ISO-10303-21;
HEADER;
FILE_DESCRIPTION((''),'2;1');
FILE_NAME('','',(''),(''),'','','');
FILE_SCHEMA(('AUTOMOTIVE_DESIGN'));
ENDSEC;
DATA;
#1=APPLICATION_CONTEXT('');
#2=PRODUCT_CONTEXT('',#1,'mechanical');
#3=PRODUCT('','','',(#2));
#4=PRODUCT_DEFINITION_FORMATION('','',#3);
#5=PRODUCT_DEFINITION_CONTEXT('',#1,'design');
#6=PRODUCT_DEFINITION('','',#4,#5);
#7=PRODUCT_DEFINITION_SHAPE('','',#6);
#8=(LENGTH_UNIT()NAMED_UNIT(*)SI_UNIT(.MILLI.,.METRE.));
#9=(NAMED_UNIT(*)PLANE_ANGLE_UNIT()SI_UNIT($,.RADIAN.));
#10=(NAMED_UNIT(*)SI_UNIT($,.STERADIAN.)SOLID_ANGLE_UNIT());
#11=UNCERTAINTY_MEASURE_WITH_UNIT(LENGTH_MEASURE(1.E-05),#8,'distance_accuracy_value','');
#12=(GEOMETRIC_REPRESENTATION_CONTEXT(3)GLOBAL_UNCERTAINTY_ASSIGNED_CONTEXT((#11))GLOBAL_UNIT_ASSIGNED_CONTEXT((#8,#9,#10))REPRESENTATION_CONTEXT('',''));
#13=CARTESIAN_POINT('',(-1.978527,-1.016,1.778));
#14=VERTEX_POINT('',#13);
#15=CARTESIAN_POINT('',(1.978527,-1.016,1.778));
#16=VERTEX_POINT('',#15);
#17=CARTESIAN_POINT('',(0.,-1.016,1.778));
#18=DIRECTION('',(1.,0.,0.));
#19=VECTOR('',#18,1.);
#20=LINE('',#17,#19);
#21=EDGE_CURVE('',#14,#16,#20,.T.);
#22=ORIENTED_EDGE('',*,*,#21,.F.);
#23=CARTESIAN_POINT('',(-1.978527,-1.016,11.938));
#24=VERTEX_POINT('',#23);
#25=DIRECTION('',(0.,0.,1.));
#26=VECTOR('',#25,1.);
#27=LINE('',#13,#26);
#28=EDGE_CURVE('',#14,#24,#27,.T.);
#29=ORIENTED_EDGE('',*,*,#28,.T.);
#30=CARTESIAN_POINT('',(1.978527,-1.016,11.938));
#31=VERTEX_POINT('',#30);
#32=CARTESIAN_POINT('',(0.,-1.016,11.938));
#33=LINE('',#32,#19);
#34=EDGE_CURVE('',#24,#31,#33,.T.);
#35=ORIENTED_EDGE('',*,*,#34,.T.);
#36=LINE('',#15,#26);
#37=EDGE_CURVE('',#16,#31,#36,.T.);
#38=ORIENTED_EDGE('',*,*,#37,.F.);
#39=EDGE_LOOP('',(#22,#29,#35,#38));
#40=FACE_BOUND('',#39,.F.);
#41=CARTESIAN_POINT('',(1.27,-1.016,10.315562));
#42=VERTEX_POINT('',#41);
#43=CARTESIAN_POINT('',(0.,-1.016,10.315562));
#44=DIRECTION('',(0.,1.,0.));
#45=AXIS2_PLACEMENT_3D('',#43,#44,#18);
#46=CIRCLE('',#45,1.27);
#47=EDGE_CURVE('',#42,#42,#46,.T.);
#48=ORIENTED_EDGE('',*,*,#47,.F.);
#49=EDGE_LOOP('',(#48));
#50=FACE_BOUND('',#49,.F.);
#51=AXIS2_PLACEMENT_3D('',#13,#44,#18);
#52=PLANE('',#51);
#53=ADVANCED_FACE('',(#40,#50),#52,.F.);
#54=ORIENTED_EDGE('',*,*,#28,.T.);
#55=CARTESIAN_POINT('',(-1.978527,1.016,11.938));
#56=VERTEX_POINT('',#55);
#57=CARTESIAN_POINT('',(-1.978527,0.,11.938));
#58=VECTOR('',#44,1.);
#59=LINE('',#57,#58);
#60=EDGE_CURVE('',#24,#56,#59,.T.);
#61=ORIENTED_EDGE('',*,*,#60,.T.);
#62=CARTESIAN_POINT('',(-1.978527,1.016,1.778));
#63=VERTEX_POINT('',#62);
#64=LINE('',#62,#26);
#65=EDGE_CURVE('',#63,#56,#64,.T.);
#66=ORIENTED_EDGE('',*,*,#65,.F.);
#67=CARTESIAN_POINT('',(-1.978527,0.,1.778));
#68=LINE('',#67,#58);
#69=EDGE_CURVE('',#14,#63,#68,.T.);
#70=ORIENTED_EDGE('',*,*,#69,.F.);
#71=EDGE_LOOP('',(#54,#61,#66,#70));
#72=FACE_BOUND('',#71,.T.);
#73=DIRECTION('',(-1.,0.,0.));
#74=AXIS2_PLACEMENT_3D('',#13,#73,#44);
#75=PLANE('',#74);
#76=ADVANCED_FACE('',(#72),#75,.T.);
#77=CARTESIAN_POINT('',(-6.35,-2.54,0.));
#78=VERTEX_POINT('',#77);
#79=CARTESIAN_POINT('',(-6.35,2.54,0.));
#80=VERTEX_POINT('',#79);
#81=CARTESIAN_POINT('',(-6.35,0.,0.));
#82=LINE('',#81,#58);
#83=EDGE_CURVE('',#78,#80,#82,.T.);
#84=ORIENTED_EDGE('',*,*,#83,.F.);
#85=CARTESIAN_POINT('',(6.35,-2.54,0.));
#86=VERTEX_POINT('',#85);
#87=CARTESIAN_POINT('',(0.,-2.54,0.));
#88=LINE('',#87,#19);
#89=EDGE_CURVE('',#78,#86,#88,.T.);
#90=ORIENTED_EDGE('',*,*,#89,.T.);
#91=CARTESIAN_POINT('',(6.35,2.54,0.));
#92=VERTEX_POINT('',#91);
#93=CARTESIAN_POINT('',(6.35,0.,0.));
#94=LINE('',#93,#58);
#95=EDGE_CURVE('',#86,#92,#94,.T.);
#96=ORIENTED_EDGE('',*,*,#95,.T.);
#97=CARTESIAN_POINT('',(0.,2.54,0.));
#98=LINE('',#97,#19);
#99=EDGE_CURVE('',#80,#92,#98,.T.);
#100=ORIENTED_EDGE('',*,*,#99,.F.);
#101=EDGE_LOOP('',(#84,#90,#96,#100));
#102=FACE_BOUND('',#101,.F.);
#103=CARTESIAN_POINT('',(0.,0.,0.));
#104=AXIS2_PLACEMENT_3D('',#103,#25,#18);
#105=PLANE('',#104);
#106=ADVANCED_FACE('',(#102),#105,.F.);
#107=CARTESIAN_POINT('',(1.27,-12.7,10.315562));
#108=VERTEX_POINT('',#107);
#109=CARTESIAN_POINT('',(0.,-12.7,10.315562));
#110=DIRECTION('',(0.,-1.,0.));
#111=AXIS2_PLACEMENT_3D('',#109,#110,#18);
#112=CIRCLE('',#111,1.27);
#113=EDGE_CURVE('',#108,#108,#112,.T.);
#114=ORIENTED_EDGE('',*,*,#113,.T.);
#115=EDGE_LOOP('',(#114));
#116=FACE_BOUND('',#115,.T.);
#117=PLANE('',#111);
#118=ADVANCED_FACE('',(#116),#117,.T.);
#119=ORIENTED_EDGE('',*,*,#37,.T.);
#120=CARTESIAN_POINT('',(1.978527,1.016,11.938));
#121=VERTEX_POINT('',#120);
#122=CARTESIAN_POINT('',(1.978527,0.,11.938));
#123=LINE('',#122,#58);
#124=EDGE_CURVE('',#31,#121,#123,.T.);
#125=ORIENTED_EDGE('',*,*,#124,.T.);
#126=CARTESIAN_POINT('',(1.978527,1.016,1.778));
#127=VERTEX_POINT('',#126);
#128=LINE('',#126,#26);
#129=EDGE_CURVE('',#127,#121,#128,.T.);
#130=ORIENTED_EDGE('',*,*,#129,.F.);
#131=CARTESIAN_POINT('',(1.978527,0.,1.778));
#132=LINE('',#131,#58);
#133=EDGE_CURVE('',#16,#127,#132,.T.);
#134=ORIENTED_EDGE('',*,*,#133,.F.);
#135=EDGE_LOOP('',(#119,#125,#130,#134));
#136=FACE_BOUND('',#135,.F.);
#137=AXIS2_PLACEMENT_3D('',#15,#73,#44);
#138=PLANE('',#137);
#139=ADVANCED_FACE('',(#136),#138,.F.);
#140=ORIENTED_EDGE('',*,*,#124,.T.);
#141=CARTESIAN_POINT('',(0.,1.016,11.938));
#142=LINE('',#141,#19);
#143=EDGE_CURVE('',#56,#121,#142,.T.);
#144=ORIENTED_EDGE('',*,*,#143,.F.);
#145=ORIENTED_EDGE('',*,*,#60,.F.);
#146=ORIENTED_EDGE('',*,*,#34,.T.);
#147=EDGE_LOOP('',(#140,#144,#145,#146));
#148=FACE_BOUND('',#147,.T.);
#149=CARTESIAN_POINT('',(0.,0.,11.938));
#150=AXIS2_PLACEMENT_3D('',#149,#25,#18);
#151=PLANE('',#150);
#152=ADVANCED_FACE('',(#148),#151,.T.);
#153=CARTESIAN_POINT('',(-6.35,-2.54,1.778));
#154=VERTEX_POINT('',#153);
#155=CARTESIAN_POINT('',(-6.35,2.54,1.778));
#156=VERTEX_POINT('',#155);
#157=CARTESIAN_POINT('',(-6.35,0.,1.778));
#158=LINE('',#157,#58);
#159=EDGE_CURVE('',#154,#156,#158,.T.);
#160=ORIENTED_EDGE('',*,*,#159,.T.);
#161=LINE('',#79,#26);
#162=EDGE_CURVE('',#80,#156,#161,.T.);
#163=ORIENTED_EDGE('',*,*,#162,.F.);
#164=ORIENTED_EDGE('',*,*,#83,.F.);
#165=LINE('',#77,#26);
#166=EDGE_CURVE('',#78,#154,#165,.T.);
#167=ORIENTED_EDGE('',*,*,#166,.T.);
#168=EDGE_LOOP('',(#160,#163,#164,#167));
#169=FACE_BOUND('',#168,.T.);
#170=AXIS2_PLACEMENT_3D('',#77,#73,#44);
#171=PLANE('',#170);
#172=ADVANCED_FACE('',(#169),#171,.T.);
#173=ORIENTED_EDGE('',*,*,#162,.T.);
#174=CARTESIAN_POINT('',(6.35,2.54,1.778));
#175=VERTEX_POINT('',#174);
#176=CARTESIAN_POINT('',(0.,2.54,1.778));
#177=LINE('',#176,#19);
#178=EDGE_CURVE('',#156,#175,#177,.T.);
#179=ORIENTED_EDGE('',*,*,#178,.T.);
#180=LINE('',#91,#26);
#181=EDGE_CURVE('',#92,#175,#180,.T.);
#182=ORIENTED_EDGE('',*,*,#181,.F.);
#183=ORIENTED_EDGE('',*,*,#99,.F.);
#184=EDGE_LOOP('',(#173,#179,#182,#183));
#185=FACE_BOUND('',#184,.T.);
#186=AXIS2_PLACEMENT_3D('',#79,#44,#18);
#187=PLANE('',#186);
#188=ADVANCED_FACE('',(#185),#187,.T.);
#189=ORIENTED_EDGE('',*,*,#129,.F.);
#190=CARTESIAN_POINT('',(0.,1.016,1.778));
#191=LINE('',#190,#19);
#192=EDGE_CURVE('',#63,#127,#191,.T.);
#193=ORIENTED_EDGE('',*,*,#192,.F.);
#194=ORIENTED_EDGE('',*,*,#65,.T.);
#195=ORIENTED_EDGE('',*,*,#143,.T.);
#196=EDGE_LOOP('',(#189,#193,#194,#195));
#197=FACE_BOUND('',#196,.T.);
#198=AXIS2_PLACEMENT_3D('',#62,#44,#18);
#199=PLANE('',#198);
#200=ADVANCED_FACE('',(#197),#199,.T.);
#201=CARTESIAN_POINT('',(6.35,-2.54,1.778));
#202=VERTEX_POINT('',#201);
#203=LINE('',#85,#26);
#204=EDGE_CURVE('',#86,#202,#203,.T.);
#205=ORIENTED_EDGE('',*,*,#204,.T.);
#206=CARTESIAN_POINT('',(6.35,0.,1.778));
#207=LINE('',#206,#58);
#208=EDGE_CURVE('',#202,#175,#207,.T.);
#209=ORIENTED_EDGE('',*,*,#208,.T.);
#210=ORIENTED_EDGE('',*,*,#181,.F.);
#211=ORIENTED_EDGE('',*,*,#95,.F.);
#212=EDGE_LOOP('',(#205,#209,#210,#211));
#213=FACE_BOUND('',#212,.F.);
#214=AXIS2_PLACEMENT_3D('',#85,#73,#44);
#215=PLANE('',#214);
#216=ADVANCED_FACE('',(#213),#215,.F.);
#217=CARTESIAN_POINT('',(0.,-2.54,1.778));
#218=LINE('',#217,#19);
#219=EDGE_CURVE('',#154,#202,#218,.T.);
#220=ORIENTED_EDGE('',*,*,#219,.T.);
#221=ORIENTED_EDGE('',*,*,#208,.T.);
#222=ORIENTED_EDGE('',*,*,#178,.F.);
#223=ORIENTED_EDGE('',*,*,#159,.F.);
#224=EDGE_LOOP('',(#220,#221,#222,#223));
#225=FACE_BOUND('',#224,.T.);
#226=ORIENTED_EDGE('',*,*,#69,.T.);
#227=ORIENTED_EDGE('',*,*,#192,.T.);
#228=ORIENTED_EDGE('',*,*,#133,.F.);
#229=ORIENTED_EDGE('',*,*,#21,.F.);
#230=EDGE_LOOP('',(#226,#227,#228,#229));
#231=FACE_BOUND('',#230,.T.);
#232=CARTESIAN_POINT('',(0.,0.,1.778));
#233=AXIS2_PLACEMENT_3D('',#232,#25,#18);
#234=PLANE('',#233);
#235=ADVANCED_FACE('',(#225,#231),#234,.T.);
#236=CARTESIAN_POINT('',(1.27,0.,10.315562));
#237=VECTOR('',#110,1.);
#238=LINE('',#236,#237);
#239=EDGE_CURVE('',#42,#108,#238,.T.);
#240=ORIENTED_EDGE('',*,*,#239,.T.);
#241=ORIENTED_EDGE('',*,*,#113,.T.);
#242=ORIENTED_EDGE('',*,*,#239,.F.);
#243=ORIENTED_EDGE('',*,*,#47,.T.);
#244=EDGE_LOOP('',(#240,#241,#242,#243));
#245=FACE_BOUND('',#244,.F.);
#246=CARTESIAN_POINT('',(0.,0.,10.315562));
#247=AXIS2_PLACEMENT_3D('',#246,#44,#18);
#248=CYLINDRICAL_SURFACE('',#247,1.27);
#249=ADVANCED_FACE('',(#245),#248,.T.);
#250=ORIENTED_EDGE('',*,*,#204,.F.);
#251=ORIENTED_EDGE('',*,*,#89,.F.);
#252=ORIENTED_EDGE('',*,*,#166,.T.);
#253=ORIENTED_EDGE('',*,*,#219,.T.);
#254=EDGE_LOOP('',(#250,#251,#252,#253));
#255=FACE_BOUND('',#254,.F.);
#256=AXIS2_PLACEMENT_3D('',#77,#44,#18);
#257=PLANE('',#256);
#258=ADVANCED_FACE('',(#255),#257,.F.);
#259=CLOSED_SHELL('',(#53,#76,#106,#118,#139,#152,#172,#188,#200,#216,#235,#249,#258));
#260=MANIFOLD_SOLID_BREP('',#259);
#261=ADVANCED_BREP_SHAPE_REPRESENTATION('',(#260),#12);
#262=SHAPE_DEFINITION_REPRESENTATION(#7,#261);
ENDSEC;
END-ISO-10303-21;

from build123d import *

# Parameters (mm, degrees)
F0_W     = 12.7
F0_H     = 5.08
F1_DEPTH = 1.778
F3_W     = 3.957054
F3_H     = 2.032
F4_DEPTH = 10.16
F5_R     = 1.27
F6_DEPTH = 12.7


with BuildPart() as f1:
    # F0 (on Top) → F1 (new body)
    with BuildSketch(Plane.XY):
        Rectangle(F0_W, F0_H)
    extrude(amount=F1_DEPTH)

    # F3 (on offset) → F4 (join)
    with BuildSketch(Plane.XY.offset(1.778)):
        Rectangle(F3_W, F3_H)
    extrude(amount=F4_DEPTH)

    # F5 (on Front) → F6 (join)
    with BuildSketch(Plane.XZ):
        with Locations((0, 10.315562)):
            Circle(F5_R)
    extrude(amount=F6_DEPTH)


solid = f1.part
